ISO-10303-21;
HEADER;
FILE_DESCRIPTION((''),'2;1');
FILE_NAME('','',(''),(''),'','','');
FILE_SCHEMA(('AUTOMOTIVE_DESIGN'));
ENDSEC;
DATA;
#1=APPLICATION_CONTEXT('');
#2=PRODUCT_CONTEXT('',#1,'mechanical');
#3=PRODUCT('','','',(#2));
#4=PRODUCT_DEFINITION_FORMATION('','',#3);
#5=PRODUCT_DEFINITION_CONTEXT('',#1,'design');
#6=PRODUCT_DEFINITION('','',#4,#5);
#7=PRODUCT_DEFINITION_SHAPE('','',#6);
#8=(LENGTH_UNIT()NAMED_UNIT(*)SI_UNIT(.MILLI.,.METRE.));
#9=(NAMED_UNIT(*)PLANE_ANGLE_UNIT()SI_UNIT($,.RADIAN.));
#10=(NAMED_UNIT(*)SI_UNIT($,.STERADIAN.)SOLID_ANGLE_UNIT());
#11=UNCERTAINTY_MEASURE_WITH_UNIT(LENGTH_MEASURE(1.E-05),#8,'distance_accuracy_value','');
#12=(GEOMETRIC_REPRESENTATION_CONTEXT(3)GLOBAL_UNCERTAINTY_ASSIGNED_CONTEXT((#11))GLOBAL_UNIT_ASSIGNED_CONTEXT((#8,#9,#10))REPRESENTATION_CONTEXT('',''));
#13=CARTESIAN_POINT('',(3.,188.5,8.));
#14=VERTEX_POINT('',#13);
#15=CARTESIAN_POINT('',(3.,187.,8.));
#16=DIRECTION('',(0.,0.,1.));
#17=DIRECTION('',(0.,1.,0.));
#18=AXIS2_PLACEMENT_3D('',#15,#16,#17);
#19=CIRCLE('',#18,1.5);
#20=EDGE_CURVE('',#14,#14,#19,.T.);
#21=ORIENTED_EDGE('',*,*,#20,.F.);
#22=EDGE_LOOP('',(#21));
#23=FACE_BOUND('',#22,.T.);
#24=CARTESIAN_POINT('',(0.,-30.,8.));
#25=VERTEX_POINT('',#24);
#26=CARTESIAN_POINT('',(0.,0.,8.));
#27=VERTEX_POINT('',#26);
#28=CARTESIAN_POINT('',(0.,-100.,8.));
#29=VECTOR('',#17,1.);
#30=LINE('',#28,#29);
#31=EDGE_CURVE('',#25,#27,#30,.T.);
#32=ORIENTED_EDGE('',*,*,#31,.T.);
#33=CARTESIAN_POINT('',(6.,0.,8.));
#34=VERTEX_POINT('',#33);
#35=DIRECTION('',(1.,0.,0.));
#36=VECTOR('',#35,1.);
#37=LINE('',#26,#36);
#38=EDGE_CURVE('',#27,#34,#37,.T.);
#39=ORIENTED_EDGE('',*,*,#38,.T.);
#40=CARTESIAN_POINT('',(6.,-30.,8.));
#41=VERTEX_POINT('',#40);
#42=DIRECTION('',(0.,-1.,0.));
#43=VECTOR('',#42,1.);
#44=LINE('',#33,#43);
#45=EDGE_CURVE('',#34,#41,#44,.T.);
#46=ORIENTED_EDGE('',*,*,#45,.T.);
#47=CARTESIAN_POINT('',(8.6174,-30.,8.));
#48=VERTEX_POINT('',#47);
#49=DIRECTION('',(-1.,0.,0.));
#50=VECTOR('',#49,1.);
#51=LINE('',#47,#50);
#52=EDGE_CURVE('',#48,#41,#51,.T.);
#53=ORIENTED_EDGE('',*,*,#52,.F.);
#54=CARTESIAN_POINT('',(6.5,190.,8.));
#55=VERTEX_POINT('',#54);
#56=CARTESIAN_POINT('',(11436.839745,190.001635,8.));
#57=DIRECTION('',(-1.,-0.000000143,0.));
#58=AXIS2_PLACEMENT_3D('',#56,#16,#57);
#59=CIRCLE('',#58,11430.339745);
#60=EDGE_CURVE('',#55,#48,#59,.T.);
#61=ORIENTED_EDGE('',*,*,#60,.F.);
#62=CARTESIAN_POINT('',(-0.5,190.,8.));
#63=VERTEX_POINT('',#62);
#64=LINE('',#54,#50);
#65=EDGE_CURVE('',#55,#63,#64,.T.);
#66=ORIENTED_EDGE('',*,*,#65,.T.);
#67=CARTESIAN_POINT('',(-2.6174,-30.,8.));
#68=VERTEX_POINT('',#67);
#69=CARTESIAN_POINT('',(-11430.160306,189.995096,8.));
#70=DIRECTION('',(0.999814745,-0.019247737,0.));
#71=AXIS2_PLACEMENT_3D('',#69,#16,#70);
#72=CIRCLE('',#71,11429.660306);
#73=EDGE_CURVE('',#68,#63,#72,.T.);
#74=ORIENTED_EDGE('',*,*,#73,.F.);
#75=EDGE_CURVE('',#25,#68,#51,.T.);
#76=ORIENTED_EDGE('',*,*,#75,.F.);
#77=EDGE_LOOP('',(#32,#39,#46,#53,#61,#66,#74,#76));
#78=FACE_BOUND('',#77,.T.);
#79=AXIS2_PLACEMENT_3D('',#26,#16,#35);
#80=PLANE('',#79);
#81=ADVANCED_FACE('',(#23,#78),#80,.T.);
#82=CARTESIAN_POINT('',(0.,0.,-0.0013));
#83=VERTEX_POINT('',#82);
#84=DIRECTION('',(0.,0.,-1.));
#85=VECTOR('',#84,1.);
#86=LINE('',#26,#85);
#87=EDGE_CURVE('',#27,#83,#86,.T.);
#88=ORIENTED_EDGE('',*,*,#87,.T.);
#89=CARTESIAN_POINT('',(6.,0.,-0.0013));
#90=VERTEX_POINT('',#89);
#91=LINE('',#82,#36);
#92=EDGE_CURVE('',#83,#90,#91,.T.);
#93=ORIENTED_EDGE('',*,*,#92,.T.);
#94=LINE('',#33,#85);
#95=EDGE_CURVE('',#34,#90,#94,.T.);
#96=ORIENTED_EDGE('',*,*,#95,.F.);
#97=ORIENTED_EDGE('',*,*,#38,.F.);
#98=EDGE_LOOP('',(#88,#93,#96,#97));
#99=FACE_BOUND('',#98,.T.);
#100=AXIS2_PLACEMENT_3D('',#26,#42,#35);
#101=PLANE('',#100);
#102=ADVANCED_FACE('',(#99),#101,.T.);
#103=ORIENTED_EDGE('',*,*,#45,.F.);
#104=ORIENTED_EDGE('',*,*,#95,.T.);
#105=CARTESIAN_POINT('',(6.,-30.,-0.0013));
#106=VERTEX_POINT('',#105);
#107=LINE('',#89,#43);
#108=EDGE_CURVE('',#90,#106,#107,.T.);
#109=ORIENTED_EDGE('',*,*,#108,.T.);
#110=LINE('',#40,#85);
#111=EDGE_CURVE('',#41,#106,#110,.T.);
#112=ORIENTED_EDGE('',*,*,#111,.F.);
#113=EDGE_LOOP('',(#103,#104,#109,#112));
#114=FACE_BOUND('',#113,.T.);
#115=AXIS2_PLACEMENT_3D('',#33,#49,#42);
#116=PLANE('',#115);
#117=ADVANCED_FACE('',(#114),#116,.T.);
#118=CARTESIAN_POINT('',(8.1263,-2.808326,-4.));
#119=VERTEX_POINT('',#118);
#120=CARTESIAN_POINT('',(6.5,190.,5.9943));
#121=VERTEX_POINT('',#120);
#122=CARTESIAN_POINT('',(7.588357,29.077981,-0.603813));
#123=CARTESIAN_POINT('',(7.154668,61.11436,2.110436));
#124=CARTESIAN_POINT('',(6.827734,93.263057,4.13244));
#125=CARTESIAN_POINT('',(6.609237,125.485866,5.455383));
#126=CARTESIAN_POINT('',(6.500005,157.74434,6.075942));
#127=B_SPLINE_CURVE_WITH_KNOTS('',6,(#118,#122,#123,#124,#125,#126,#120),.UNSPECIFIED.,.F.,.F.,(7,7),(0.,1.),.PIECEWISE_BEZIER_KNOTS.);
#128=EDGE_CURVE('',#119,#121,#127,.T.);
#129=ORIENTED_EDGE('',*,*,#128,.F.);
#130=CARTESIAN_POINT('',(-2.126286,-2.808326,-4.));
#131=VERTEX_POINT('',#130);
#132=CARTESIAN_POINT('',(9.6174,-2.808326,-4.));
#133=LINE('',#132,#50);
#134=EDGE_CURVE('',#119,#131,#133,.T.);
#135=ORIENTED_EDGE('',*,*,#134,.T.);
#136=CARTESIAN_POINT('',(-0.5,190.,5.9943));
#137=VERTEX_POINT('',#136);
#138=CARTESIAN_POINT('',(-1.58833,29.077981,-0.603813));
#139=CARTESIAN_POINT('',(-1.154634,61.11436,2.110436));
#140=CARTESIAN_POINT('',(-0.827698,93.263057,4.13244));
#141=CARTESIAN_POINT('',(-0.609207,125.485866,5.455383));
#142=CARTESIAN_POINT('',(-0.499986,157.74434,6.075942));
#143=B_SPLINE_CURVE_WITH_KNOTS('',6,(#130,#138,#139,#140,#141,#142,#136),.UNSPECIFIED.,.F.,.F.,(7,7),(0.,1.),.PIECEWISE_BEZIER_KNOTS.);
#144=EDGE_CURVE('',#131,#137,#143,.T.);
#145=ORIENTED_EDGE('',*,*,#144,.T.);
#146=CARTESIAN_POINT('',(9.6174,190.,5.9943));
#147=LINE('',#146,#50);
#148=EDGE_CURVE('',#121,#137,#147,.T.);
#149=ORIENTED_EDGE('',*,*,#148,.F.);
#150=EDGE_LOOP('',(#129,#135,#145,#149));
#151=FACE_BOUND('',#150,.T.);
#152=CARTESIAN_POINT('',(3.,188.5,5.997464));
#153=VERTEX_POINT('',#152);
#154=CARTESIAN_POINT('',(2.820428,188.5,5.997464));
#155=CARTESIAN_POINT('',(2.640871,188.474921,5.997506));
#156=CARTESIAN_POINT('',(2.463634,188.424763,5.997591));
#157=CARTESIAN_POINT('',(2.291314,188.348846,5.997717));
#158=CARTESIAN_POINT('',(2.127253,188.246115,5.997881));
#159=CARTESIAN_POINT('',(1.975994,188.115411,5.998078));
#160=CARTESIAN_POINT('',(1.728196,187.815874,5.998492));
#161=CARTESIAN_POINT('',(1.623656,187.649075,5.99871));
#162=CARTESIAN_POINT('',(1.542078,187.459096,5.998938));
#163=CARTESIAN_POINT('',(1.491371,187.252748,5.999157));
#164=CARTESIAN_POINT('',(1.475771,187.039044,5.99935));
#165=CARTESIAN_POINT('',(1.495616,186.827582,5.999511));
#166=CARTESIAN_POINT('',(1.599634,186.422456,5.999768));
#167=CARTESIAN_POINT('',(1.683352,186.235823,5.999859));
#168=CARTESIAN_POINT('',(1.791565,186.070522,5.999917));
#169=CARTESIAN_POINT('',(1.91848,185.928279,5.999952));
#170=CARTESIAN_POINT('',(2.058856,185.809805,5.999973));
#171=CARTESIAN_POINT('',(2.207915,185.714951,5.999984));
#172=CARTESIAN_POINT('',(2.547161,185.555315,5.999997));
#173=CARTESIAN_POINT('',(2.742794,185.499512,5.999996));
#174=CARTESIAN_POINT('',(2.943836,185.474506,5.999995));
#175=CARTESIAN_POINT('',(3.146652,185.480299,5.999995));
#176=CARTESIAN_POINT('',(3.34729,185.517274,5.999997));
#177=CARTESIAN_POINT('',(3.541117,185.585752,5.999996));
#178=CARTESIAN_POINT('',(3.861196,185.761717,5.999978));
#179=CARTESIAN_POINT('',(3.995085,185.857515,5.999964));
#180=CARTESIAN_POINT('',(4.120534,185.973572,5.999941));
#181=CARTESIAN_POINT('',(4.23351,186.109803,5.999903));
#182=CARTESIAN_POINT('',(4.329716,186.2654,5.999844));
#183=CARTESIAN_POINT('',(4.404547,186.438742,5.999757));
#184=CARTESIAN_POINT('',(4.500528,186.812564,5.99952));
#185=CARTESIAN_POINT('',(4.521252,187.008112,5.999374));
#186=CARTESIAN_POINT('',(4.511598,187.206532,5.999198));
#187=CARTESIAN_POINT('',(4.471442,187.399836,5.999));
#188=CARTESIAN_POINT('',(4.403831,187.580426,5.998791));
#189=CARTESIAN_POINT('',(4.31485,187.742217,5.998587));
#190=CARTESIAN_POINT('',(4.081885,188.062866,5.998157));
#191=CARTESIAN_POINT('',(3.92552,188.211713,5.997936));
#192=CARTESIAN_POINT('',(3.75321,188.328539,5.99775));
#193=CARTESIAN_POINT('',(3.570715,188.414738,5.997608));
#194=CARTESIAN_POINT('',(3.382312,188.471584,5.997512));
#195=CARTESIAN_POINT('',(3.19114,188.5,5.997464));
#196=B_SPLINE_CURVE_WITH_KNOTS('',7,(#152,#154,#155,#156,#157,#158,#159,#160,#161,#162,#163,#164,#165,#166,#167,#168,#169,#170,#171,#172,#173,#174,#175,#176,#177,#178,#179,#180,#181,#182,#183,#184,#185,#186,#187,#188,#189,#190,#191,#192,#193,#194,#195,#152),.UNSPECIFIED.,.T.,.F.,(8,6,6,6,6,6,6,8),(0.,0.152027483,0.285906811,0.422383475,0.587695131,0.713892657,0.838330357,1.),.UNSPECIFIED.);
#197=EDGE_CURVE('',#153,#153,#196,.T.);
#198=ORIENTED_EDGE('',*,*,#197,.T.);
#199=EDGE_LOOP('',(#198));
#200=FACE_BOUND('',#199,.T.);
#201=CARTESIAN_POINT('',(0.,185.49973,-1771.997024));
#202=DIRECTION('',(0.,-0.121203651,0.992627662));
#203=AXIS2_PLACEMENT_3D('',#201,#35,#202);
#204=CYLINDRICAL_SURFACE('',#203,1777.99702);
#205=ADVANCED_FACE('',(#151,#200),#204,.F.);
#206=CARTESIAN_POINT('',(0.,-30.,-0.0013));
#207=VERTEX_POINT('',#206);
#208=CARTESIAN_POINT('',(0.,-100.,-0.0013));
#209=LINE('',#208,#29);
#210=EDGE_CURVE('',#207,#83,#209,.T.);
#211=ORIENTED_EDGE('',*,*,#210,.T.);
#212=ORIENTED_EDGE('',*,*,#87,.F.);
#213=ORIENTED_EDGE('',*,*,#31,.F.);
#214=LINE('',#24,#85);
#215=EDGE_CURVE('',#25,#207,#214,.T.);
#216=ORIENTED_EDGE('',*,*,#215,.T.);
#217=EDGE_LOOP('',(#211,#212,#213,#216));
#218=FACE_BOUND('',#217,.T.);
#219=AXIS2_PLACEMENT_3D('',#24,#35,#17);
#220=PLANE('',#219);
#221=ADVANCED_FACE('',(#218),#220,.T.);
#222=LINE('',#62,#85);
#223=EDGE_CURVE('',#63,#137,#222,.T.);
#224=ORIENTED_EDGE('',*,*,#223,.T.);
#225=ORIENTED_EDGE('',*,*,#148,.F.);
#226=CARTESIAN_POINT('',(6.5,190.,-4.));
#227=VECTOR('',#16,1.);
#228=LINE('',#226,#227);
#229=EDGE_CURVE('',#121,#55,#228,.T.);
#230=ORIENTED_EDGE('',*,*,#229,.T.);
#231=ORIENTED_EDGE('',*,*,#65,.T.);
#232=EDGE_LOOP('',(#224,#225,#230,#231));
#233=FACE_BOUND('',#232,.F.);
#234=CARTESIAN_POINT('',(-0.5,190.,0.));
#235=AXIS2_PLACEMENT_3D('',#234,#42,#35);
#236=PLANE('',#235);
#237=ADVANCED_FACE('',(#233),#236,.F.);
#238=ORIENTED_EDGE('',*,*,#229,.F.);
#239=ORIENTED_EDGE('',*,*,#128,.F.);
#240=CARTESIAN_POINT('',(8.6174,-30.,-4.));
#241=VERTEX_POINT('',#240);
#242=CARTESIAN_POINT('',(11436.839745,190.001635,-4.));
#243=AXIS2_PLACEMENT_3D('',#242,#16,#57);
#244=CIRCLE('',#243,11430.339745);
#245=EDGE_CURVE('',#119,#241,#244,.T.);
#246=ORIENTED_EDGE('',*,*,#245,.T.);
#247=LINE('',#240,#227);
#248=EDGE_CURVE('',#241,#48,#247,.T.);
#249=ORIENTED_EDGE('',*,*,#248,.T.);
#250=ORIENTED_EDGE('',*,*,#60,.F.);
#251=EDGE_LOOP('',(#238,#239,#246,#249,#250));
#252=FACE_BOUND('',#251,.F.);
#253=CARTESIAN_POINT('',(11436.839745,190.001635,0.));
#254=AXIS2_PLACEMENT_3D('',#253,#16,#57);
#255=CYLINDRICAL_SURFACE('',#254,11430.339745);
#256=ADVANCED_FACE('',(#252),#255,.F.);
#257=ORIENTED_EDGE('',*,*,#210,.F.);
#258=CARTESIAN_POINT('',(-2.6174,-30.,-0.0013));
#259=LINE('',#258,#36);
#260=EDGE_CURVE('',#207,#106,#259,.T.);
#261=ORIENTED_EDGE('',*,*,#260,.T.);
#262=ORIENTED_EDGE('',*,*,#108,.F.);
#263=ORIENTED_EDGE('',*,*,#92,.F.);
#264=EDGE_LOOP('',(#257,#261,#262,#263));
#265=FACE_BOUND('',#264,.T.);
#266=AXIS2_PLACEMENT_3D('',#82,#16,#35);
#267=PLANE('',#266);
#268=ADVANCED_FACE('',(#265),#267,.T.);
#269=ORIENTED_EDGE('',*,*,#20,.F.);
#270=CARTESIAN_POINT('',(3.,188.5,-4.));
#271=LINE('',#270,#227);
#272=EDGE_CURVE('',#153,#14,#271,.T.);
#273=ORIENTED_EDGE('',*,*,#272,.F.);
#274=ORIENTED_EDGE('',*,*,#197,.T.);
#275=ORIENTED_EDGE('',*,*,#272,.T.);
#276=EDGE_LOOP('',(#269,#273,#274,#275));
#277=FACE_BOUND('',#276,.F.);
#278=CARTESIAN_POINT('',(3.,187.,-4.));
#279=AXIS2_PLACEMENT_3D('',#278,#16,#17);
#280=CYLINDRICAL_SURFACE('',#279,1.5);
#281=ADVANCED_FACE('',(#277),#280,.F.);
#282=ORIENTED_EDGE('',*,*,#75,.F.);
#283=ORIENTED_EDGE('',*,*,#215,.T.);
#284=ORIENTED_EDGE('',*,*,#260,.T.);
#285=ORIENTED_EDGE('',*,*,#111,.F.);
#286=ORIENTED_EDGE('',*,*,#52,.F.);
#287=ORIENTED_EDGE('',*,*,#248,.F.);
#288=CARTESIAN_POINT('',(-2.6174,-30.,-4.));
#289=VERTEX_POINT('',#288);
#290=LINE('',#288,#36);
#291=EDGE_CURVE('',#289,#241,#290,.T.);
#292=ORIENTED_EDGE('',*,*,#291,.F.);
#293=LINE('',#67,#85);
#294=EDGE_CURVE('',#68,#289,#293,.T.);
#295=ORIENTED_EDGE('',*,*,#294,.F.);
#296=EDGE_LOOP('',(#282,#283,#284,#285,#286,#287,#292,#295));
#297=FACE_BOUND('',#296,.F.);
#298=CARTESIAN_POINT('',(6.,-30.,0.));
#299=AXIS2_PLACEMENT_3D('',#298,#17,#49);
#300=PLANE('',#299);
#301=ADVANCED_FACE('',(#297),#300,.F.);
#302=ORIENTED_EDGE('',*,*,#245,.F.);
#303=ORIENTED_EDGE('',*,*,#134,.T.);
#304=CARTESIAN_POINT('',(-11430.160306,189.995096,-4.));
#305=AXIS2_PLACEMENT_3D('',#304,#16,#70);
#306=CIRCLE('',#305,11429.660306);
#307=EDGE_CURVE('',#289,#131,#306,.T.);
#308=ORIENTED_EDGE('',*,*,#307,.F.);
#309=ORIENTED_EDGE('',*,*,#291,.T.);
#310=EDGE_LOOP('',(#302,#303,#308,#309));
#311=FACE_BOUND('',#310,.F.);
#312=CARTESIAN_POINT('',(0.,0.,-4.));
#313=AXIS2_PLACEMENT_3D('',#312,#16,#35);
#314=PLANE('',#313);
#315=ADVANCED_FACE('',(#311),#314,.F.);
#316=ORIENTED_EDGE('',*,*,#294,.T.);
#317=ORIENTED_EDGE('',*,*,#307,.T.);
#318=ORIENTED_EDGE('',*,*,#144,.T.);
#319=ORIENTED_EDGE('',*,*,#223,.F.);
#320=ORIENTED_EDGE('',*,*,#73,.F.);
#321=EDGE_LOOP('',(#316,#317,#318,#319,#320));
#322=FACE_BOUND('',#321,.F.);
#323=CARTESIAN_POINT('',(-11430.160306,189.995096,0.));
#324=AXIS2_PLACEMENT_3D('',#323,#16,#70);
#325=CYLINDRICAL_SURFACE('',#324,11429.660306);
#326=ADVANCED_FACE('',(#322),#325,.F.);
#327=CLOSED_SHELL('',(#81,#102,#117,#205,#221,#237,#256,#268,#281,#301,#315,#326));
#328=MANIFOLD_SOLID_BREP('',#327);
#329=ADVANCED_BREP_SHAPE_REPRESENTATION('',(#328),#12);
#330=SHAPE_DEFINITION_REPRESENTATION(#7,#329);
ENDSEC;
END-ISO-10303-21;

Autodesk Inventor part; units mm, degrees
ref_plane "YZ Plane" through (0, 0, 0) normal (1, 0, 0) x (0, 1, 0)
ref_plane "XZ Plane" through (0, 0, 0) normal (0, 1, 0) x (-1, 0, 0)
sketch "Sketch2" plane through (0, 0, 0) normal (0, 0, 1) x (1, 0, 0)
  line L0 (0, 0) -> (0, -100) projected
  line L1 (0, 0) -> (6, 0) projected
  line L2 (6, -100) -> (6, 0) projected
  line L3 (0, -100) -> (6, -100) projected
  line L4 (10.5, -30) -> (-4.5, -30)
  line L5 (-4.5, -30) -> (-4.5, 190)
  line L6 (-4.5, 190) -> (10.5, 190)
  line L7 (10.5, 190) -> (10.5, -30)
  line L8 (6.5, 0.5) -> (-0.5, 0.5)
  line L9 (-0.5, 0.5) -> (-0.5, -100.5)
  line L10 (-0.5, -100.5) -> (6.5, -100.5)
  line L11 (6.5, -100.5) -> (6.5, 0.5)
  line L12 (6.5, 0.5) -> (-0.5, 0.5)
  line L13 (-0.5, 0.5) -> (-0.5, 190)
  line L14 (-0.5, 190) -> (6.5, 190)
  line L15 (6.5, 190) -> (6.5, 0.5)
  line L16 (0, -100) -> (0, 0) projected
  line L17 (0, 0) -> (6, 0) projected
  line L18 (6, 0) -> (6, -100) projected
  line L19 (-0.5, 175) -> (6.5, 175)
  line L20 (-4.5, 175) -> (-0.5, 175)
  line L21 (6.5, 175) -> (10.5, 175)
  circle A0 centre (3, -90) radius 1.5 projected
  arc A1 (-2.6174, -30) -> (-0.5, 190) centre (-11430.5, 190) ccw
  arc A2 (6.5, 190) -> (8.6174, -30) centre (11436.5, 190) ccw
  point P0 (3, -30)
  point P1 (3, 0)
  point P2 (3, 182.5)
  point P3 (3, 0)
  point P4 (3, 190)
  point P5 (3, 190)
  dimension "d0" = 30
  dimension "d1" = 15
  dimension "d2" = 220
  dimension "d3" = 0.5
  dimension "d8" = 7.5
  dimension "d10" = 22860
  dimension "d11" = 22860
extrude "Extrusion1" add sketch "Sketch2" against normal blind 4 contours L1 L2 L4 L0 | L0 L4 L9 L8 L11 L2 L1 | L4 A1 L20 L13 L9 | L11 L15 L21 A2 L4 | L13 L19 L15 L8 | A1 L13 L20 | L13 L6 L15 L19 | L21 L15 A2
sketch "Sketch3" plane through (0, 0, 0) normal (0, 0, 1) x (1, 0, 0)
  line L0 (10.5, -30) -> (10.5, 190) projected
  line L1 (6.5, 190) -> (6.5, 0.5) projected
  line L2 (6.5, -100.5) -> (6.5, 0.5) projected
  line L3 (-0.5, 0.5) -> (-0.5, -100.5) projected
  line L4 (-0.5, 0.5) -> (-0.5, 190) projected
  line L5 (6.5, 0.5) -> (-0.5, 0.5) projected
  line L6 (-4.5, -30) -> (10.5, -30) projected
  line L7 (-2.6174, -30) -> (8.6174, -30) projected
  line L8 (6.5, 190) -> (-0.5, 190) projected
  arc A0 (6.5, 190) -> (8.6174, -30) centre (11436.5, 190) ccw projected
  arc A1 (-2.6174, -30) -> (-0.5, 190) centre (-11430.5, 190) ccw projected
  point P0 (0, 0)
  point P1 (-0.5, -30)
  point P2 (6.5, -30)
  point P3 (-0.5, 190)
  point P4 (6.5, 190)
extrude "Extrusion2" add sketch "Sketch3" along normal blind 8
sketch "Sketch4" plane through (0, 0, -4) normal (0, 0, -1) x (-1, 0, 0)
  line L0 (0.5, 190) -> (-6.5, 190) projected
  point P0 (0, 0)
  point P1 (-3, 182.507)
  point P2 (4.5, 190)
  point P3 (-10.5, 190)
  point P4 (-3, 190)
  dimension "d9" = 7.493
sketch "Sketch5" plane through (0, 0, -4) normal (0, 0, -1) x (-1, 0, 0)
  line L0 (-8.6174, -30) -> (2.6174, -30) projected
  line L1 (0.5, 190) -> (-6.5, 190) projected
  point P0 (0, 0)
  point P1 (-3, 187)
  point P2 (-3, -30)
  point P3 (-3, 190)
  dimension "d12" = 3
hole "Hole1" at (3, 187, -4) direction (0, 0, 1) diameter 3 end through all
ref_plane "Work Plane1" through (0, -50, 42.7167) normal (-1, 0, 0) x (0, 1, 0)
sketch "Sketch6" plane through (0, -50, 42.7167) normal (-1, 0, 0) x (0, 1, 0)
  arc A0 (20, 49.8247) -> (240, 36.7224) centre (235.5, 1814.7167) ccw
  line L0 (235.5, 46.7167) -> (238.5, 46.7167) projected
  line L1 (20, 46.7167) -> (240, 46.7167) projected
  line L2 (240, 46.7167) -> (20, 46.7167) projected
  line L3 (235.5, 34.7167) -> (235.5, 46.7167) projected
  line L4 (238.5, 34.7167) -> (238.5, 46.7167) projected
  line L5 (235.5, 34.7167) -> (235.5, 46.7167) projected
  line L6 (240, 46.7167) -> (240, 34.7167) projected
  line L7 (20, 46.7167) -> (240, 46.7167) projected
  line L8 (20, 34.7167) -> (20, 46.7167) projected
  line L9 (240, 34.7167) -> (20, 34.7167) projected
  point P0 (50, 42.7167)
  point P1 (47.1917, 46.7167)
  dimension "d20" = 2
  dimension "d21" = 3556
extrude "Extrusion3" cut sketch "Sketch6" along normal through all both and the other way through all contours L1 L3 A0 | L3 L0 L4 A0 | L4 L1 L6 A0
sketch "Sketch7" plane through (0, 0, 8) normal (0, 0, 1) x (1, 0, 0)
  line L0 (0, 0) -> (6, 0) projected
  line L1 (0, -100) -> (0, 0) projected
  line L2 (6, 0) -> (6, -100) projected
  line L3 (-0.1, -100) -> (-0.1, 0.1)
  line L4 (-0.1, 0.1) -> (6.1, 0.1)
  line L5 (6.1, 0.1) -> (6.1, -100)
  line L6 (-2.6174, -30) -> (8.6174, -30) projected
  point P0 (0, -30)
  point P1 (6, -30)
  dimension "d24" = 0.1
ref_plane "Work Plane2" through (0, -100, -0.0013) normal (0, 0, -1) x (0, 1, 0)
extrude "Extrusion4" cut sketch "Sketch7" against normal up to surface (8.0013 mm away) contours L0 L2 L6 L1
equation "\"d11\" = d10"
properties part number "Halterung" material "ABS Plastic"
